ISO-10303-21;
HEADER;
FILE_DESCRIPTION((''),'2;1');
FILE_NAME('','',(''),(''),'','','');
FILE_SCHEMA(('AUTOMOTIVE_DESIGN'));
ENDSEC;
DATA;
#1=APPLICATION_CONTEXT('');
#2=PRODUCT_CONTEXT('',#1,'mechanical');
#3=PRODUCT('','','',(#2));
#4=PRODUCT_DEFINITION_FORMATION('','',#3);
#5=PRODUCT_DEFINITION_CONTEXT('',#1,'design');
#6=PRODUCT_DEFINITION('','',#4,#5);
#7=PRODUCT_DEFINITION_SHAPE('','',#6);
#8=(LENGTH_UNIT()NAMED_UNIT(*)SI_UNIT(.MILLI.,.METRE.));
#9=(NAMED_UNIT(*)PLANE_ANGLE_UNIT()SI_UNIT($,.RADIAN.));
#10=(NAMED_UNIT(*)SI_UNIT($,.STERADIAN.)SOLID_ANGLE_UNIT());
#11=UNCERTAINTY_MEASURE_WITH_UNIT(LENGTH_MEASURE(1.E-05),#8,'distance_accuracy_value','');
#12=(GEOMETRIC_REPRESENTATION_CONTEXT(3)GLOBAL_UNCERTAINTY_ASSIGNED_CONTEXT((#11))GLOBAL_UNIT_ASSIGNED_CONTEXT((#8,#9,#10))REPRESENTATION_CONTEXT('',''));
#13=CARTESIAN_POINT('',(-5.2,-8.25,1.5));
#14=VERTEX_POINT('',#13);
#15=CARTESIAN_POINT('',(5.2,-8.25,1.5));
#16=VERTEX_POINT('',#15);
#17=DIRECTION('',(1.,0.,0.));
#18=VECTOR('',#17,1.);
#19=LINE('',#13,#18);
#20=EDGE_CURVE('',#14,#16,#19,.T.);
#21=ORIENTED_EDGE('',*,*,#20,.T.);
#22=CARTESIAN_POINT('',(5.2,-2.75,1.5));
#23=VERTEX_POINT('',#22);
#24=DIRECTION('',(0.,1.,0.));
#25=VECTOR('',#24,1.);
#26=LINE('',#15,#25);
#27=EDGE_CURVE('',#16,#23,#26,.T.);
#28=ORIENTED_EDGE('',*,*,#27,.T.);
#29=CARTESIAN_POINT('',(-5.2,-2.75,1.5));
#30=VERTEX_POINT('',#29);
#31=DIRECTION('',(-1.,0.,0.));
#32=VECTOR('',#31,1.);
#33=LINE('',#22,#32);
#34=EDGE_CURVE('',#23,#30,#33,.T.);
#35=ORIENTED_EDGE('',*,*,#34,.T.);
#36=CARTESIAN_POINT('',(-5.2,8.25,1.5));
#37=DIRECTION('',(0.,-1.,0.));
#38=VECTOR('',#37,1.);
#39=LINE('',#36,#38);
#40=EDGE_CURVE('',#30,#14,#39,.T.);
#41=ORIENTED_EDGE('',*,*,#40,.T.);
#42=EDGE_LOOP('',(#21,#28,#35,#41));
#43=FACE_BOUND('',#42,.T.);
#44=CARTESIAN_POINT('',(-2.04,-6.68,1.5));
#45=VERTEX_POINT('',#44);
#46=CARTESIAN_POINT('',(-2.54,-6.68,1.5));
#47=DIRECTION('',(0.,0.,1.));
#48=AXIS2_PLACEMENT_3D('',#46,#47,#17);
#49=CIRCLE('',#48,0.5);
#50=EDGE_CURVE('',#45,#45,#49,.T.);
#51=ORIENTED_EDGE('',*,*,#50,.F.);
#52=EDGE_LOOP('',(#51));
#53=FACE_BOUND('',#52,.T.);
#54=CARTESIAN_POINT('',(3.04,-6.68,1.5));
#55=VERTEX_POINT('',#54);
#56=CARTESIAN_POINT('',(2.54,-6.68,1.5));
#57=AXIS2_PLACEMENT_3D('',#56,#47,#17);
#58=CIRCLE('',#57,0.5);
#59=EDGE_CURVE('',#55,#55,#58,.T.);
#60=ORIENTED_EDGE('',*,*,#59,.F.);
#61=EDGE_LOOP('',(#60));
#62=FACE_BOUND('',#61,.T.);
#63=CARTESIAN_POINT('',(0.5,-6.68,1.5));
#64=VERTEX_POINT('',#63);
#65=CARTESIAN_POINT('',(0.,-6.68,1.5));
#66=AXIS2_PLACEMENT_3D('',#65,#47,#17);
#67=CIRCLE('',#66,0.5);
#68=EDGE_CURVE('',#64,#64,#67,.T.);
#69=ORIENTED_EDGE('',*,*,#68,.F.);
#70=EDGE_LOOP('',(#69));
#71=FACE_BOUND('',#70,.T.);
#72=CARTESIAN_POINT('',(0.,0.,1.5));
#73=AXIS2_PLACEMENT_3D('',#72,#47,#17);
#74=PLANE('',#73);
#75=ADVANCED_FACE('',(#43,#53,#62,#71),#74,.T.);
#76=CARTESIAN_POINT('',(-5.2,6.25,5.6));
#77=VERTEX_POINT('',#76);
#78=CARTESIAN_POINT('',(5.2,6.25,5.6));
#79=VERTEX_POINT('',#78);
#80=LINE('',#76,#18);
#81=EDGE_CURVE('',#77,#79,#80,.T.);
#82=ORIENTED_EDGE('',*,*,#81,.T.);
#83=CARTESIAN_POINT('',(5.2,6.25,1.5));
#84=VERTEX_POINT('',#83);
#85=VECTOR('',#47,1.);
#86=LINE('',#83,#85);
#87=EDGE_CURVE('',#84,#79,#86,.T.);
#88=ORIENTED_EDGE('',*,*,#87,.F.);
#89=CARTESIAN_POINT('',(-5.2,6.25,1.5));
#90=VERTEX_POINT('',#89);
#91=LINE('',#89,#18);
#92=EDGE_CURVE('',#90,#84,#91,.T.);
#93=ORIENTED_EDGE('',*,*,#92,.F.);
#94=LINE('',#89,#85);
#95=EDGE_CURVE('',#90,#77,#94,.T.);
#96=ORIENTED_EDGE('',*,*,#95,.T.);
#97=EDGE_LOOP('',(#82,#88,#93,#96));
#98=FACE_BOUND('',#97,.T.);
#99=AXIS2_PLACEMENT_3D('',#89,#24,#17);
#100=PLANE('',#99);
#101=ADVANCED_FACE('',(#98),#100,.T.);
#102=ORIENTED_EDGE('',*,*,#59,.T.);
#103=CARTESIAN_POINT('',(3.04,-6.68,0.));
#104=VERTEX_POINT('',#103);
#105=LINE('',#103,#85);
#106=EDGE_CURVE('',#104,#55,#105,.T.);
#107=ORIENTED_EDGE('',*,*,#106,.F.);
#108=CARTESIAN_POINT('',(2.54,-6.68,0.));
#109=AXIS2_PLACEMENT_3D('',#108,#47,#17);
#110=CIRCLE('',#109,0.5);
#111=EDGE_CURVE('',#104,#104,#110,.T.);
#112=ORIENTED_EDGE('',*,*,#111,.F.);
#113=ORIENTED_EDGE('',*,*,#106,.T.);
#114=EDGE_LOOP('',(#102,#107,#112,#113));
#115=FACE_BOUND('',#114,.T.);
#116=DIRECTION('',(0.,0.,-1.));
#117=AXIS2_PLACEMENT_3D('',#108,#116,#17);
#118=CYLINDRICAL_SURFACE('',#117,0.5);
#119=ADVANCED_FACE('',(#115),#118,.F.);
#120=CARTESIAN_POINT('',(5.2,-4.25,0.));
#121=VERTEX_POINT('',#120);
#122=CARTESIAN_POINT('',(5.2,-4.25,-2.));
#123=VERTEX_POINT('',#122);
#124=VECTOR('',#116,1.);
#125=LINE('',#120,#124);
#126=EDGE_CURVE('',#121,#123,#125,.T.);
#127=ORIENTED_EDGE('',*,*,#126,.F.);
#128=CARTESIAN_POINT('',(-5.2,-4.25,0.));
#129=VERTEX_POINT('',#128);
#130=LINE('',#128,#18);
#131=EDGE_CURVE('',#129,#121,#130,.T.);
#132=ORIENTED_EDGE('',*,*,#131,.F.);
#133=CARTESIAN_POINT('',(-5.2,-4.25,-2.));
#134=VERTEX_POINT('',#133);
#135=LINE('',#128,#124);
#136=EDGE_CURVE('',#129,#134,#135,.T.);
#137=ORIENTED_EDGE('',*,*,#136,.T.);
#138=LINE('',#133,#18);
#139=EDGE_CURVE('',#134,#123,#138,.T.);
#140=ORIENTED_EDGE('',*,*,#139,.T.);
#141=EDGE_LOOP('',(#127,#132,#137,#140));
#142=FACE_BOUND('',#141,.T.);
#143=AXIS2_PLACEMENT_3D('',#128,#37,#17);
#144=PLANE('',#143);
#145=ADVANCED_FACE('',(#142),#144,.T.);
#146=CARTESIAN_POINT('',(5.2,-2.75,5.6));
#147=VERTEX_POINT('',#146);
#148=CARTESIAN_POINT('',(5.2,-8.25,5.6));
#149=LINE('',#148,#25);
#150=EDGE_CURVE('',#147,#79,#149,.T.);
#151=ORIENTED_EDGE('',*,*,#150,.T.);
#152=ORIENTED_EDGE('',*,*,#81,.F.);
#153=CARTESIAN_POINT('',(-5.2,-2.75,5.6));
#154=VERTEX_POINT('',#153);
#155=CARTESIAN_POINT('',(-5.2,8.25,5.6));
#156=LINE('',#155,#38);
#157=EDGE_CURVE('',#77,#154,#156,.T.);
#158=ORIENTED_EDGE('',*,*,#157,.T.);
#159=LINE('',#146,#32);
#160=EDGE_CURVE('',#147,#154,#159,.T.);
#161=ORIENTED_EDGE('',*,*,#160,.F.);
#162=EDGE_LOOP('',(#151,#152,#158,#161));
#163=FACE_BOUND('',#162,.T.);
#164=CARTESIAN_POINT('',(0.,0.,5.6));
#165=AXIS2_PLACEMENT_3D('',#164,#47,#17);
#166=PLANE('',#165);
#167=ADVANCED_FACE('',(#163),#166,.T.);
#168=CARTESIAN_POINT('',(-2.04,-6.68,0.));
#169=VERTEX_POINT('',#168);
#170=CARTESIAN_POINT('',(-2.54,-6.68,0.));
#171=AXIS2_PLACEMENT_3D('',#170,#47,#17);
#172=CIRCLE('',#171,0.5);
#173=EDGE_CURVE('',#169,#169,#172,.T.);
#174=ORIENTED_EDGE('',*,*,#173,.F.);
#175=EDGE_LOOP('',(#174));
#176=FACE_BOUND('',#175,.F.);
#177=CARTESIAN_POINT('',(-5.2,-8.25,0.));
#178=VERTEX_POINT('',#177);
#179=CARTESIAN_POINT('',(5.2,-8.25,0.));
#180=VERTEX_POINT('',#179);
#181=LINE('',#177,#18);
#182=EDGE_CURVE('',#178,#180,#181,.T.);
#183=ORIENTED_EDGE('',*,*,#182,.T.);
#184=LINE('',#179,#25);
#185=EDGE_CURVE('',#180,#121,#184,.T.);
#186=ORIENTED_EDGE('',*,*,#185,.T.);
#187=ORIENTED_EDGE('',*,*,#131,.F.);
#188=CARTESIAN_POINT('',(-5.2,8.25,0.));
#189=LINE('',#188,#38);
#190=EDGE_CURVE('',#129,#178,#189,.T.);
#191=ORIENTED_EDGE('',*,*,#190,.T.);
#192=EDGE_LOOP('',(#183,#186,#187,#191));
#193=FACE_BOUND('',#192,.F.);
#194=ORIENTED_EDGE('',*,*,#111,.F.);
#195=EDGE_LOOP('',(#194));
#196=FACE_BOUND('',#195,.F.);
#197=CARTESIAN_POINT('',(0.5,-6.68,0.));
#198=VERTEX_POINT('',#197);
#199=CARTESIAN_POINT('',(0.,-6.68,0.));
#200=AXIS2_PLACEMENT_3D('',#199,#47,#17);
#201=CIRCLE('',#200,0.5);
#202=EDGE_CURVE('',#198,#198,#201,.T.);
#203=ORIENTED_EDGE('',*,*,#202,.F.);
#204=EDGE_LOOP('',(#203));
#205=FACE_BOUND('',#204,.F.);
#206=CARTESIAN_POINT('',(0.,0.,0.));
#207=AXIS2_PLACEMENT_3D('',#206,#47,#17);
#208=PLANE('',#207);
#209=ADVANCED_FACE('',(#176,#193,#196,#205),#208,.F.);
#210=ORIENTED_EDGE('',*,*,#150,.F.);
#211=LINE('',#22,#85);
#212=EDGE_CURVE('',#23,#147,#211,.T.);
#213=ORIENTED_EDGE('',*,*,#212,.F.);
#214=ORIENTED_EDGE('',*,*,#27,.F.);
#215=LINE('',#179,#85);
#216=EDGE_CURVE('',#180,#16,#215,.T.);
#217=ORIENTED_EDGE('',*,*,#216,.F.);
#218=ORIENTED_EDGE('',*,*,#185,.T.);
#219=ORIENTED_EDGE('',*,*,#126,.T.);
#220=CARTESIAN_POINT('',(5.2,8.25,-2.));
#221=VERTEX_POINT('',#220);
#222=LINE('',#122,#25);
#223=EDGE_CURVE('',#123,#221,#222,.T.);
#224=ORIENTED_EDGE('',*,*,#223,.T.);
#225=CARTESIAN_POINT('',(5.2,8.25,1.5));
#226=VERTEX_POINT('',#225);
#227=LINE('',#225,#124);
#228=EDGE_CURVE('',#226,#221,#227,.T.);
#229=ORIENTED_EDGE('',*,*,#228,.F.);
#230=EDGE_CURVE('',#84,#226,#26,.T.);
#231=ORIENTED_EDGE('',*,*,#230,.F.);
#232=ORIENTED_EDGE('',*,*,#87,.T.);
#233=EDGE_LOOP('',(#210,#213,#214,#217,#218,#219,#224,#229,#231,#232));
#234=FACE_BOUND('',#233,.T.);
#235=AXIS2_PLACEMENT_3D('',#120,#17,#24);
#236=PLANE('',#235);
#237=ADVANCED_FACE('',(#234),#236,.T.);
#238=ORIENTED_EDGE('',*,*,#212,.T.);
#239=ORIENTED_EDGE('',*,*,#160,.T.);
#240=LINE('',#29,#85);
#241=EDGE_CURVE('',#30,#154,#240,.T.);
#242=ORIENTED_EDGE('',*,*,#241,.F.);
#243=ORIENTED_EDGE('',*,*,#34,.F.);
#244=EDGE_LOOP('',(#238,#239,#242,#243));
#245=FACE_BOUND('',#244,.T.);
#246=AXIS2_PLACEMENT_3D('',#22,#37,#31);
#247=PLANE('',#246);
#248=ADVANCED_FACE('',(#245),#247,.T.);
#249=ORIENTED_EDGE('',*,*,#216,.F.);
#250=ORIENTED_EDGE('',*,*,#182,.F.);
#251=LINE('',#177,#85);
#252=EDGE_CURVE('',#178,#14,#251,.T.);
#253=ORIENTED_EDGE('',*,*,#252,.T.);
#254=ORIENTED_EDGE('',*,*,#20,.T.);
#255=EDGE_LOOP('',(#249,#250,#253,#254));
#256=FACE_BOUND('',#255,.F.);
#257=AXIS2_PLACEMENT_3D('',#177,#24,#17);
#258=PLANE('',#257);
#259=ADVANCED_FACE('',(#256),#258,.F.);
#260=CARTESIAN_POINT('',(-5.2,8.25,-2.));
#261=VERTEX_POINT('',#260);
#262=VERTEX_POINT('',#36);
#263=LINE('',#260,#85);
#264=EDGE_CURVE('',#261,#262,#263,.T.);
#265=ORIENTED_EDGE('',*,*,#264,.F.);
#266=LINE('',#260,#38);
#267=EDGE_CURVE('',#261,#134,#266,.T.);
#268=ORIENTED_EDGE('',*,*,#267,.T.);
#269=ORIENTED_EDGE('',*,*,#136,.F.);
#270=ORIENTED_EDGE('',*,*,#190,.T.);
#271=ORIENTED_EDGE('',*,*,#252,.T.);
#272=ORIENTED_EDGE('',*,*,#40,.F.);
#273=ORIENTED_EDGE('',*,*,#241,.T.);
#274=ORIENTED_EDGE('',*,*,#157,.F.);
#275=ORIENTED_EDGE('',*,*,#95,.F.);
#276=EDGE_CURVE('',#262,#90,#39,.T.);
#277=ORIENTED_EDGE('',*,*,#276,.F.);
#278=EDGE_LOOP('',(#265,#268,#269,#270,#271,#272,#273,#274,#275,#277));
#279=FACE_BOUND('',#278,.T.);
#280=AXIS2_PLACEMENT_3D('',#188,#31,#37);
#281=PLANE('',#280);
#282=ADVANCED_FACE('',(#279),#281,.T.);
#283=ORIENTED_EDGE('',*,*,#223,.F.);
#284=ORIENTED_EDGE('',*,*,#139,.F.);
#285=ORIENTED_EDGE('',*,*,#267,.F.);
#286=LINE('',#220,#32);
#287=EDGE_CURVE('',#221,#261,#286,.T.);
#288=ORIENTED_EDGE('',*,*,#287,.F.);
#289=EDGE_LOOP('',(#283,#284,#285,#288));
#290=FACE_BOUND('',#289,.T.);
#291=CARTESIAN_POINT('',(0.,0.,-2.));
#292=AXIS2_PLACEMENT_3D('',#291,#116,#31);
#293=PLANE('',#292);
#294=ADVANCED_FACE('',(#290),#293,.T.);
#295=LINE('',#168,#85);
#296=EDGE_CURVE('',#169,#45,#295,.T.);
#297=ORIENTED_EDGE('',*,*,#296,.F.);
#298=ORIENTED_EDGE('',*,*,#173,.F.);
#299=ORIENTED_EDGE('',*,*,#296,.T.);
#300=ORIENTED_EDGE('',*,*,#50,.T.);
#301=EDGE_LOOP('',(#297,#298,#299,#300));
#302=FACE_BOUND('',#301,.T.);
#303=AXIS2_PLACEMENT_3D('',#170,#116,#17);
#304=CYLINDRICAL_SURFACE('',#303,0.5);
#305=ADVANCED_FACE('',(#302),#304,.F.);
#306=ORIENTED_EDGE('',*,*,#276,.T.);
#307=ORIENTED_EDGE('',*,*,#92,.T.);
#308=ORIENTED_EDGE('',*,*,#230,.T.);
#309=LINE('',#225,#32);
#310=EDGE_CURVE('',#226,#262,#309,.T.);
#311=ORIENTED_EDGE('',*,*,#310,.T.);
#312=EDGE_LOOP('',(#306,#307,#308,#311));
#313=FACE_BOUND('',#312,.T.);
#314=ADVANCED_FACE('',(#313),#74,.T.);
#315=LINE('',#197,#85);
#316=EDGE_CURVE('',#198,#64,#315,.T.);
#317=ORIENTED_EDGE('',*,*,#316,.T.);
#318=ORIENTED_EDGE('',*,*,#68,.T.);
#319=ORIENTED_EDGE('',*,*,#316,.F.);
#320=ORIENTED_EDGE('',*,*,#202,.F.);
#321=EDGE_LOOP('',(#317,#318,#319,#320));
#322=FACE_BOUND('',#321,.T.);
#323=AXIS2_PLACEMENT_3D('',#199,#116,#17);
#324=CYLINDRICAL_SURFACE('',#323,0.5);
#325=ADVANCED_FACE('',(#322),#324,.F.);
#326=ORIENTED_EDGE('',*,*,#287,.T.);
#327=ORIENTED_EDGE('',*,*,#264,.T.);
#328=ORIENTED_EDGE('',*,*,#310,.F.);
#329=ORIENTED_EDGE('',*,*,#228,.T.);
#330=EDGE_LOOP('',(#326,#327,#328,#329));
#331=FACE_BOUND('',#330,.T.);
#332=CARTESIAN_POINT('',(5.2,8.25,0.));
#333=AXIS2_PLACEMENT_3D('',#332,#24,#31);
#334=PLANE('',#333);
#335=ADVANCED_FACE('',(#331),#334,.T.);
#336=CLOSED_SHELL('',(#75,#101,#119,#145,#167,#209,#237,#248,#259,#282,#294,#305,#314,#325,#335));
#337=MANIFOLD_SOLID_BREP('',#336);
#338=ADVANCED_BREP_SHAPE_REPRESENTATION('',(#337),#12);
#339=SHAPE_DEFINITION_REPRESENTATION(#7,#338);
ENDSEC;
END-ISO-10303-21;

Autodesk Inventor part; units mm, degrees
ref_plane "YZ Plane" through (0, 0, 0) normal (1, 0, 0) x (0, 1, 0)
ref_plane "XZ Plane" through (0, 0, 0) normal (0, 1, 0) x (-1, 0, 0)
ref_plane "XY Plane" through (0, 0, 0) normal (0, 0, 1) x (1, 0, 0)
sketch "スケッチ1" plane through (0, 0, 0) normal (0, 0, 1) x (1, 0, 0)
  line L0 (-5.2, -8.25) -> (5.2, -8.25)
  line L1 (5.2, -8.25) -> (5.2, 8.25)
  line L2 (5.2, 8.25) -> (-5.2, 8.25)
  line L3 (-5.2, 8.25) -> (-5.2, -8.25)
  line L4 (-5.2, -8.25) -> (5.2, 8.25) construction
  line L5 (5.2, -8.25) -> (-5.2, 8.25) construction
  circle A0 centre (0, -6.68) radius 0.5
  circle A1 centre (2.54, -6.68) radius 0.5
  circle A2 centre (-2.54, -6.68) radius 0.5
  point P0 (0, 0)
  point P1 (0, 0)
  dimension "d0" = 10.4
  dimension "d1" = 16.5
  dimension "d2" = 1
  dimension "d3" = 2.54
  dimension "d4" = 2.54
  dimension "d5" = 1.57
extrude "押し出し1" add sketch "スケッチ1" along normal blind 1.5
sketch "スケッチ2" plane through (0, 0, 1.5) normal (0, 0, 1) x (1, 0, 0)
  line L0 (-5.2, 8.25) -> (-5.2, -8.25) projected
  line L1 (5.2, -8.25) -> (5.2, 8.25) projected
  line L2 (-5.2, 6.25) -> (5.2, 6.25)
  line L3 (5.2, 6.25) -> (5.2, -2.75)
  line L4 (5.2, -2.75) -> (-5.2, -2.75)
  line L5 (-5.2, -2.75) -> (-5.2, 6.25)
  line L6 (5.2, 8.25) -> (-5.2, 8.25) projected
  point P0 (0, 0)
  dimension "d8" = 2
  dimension "d9" = 9
extrude "押し出し2" add sketch "スケッチ2" along normal blind 4.1 contours L2 L1 L4 L0
sketch "スケッチ3" plane through (0, 0, 0) normal (0, 0, -1) x (-1, 0, 0)
  line L0 (-5.2, 8.25) -> (5.2, 8.25) projected
  line L1 (5.2, 8.25) -> (5.2, -8.25) projected
  line L2 (-5.2, 8.25) -> (5.2, 8.25)
  line L3 (5.2, 8.25) -> (5.2, -4.25)
  line L4 (5.2, -4.25) -> (-5.2, -4.25)
  line L5 (-5.2, -4.25) -> (-5.2, 8.25)
  line L6 (5.2, -8.25) -> (-5.2, -8.25) projected
  point P0 (0, 0)
  dimension "d12" = 4
extrude "押し出し3" add sketch "スケッチ3" along normal blind 2
properties part number "OKI-78SR"
